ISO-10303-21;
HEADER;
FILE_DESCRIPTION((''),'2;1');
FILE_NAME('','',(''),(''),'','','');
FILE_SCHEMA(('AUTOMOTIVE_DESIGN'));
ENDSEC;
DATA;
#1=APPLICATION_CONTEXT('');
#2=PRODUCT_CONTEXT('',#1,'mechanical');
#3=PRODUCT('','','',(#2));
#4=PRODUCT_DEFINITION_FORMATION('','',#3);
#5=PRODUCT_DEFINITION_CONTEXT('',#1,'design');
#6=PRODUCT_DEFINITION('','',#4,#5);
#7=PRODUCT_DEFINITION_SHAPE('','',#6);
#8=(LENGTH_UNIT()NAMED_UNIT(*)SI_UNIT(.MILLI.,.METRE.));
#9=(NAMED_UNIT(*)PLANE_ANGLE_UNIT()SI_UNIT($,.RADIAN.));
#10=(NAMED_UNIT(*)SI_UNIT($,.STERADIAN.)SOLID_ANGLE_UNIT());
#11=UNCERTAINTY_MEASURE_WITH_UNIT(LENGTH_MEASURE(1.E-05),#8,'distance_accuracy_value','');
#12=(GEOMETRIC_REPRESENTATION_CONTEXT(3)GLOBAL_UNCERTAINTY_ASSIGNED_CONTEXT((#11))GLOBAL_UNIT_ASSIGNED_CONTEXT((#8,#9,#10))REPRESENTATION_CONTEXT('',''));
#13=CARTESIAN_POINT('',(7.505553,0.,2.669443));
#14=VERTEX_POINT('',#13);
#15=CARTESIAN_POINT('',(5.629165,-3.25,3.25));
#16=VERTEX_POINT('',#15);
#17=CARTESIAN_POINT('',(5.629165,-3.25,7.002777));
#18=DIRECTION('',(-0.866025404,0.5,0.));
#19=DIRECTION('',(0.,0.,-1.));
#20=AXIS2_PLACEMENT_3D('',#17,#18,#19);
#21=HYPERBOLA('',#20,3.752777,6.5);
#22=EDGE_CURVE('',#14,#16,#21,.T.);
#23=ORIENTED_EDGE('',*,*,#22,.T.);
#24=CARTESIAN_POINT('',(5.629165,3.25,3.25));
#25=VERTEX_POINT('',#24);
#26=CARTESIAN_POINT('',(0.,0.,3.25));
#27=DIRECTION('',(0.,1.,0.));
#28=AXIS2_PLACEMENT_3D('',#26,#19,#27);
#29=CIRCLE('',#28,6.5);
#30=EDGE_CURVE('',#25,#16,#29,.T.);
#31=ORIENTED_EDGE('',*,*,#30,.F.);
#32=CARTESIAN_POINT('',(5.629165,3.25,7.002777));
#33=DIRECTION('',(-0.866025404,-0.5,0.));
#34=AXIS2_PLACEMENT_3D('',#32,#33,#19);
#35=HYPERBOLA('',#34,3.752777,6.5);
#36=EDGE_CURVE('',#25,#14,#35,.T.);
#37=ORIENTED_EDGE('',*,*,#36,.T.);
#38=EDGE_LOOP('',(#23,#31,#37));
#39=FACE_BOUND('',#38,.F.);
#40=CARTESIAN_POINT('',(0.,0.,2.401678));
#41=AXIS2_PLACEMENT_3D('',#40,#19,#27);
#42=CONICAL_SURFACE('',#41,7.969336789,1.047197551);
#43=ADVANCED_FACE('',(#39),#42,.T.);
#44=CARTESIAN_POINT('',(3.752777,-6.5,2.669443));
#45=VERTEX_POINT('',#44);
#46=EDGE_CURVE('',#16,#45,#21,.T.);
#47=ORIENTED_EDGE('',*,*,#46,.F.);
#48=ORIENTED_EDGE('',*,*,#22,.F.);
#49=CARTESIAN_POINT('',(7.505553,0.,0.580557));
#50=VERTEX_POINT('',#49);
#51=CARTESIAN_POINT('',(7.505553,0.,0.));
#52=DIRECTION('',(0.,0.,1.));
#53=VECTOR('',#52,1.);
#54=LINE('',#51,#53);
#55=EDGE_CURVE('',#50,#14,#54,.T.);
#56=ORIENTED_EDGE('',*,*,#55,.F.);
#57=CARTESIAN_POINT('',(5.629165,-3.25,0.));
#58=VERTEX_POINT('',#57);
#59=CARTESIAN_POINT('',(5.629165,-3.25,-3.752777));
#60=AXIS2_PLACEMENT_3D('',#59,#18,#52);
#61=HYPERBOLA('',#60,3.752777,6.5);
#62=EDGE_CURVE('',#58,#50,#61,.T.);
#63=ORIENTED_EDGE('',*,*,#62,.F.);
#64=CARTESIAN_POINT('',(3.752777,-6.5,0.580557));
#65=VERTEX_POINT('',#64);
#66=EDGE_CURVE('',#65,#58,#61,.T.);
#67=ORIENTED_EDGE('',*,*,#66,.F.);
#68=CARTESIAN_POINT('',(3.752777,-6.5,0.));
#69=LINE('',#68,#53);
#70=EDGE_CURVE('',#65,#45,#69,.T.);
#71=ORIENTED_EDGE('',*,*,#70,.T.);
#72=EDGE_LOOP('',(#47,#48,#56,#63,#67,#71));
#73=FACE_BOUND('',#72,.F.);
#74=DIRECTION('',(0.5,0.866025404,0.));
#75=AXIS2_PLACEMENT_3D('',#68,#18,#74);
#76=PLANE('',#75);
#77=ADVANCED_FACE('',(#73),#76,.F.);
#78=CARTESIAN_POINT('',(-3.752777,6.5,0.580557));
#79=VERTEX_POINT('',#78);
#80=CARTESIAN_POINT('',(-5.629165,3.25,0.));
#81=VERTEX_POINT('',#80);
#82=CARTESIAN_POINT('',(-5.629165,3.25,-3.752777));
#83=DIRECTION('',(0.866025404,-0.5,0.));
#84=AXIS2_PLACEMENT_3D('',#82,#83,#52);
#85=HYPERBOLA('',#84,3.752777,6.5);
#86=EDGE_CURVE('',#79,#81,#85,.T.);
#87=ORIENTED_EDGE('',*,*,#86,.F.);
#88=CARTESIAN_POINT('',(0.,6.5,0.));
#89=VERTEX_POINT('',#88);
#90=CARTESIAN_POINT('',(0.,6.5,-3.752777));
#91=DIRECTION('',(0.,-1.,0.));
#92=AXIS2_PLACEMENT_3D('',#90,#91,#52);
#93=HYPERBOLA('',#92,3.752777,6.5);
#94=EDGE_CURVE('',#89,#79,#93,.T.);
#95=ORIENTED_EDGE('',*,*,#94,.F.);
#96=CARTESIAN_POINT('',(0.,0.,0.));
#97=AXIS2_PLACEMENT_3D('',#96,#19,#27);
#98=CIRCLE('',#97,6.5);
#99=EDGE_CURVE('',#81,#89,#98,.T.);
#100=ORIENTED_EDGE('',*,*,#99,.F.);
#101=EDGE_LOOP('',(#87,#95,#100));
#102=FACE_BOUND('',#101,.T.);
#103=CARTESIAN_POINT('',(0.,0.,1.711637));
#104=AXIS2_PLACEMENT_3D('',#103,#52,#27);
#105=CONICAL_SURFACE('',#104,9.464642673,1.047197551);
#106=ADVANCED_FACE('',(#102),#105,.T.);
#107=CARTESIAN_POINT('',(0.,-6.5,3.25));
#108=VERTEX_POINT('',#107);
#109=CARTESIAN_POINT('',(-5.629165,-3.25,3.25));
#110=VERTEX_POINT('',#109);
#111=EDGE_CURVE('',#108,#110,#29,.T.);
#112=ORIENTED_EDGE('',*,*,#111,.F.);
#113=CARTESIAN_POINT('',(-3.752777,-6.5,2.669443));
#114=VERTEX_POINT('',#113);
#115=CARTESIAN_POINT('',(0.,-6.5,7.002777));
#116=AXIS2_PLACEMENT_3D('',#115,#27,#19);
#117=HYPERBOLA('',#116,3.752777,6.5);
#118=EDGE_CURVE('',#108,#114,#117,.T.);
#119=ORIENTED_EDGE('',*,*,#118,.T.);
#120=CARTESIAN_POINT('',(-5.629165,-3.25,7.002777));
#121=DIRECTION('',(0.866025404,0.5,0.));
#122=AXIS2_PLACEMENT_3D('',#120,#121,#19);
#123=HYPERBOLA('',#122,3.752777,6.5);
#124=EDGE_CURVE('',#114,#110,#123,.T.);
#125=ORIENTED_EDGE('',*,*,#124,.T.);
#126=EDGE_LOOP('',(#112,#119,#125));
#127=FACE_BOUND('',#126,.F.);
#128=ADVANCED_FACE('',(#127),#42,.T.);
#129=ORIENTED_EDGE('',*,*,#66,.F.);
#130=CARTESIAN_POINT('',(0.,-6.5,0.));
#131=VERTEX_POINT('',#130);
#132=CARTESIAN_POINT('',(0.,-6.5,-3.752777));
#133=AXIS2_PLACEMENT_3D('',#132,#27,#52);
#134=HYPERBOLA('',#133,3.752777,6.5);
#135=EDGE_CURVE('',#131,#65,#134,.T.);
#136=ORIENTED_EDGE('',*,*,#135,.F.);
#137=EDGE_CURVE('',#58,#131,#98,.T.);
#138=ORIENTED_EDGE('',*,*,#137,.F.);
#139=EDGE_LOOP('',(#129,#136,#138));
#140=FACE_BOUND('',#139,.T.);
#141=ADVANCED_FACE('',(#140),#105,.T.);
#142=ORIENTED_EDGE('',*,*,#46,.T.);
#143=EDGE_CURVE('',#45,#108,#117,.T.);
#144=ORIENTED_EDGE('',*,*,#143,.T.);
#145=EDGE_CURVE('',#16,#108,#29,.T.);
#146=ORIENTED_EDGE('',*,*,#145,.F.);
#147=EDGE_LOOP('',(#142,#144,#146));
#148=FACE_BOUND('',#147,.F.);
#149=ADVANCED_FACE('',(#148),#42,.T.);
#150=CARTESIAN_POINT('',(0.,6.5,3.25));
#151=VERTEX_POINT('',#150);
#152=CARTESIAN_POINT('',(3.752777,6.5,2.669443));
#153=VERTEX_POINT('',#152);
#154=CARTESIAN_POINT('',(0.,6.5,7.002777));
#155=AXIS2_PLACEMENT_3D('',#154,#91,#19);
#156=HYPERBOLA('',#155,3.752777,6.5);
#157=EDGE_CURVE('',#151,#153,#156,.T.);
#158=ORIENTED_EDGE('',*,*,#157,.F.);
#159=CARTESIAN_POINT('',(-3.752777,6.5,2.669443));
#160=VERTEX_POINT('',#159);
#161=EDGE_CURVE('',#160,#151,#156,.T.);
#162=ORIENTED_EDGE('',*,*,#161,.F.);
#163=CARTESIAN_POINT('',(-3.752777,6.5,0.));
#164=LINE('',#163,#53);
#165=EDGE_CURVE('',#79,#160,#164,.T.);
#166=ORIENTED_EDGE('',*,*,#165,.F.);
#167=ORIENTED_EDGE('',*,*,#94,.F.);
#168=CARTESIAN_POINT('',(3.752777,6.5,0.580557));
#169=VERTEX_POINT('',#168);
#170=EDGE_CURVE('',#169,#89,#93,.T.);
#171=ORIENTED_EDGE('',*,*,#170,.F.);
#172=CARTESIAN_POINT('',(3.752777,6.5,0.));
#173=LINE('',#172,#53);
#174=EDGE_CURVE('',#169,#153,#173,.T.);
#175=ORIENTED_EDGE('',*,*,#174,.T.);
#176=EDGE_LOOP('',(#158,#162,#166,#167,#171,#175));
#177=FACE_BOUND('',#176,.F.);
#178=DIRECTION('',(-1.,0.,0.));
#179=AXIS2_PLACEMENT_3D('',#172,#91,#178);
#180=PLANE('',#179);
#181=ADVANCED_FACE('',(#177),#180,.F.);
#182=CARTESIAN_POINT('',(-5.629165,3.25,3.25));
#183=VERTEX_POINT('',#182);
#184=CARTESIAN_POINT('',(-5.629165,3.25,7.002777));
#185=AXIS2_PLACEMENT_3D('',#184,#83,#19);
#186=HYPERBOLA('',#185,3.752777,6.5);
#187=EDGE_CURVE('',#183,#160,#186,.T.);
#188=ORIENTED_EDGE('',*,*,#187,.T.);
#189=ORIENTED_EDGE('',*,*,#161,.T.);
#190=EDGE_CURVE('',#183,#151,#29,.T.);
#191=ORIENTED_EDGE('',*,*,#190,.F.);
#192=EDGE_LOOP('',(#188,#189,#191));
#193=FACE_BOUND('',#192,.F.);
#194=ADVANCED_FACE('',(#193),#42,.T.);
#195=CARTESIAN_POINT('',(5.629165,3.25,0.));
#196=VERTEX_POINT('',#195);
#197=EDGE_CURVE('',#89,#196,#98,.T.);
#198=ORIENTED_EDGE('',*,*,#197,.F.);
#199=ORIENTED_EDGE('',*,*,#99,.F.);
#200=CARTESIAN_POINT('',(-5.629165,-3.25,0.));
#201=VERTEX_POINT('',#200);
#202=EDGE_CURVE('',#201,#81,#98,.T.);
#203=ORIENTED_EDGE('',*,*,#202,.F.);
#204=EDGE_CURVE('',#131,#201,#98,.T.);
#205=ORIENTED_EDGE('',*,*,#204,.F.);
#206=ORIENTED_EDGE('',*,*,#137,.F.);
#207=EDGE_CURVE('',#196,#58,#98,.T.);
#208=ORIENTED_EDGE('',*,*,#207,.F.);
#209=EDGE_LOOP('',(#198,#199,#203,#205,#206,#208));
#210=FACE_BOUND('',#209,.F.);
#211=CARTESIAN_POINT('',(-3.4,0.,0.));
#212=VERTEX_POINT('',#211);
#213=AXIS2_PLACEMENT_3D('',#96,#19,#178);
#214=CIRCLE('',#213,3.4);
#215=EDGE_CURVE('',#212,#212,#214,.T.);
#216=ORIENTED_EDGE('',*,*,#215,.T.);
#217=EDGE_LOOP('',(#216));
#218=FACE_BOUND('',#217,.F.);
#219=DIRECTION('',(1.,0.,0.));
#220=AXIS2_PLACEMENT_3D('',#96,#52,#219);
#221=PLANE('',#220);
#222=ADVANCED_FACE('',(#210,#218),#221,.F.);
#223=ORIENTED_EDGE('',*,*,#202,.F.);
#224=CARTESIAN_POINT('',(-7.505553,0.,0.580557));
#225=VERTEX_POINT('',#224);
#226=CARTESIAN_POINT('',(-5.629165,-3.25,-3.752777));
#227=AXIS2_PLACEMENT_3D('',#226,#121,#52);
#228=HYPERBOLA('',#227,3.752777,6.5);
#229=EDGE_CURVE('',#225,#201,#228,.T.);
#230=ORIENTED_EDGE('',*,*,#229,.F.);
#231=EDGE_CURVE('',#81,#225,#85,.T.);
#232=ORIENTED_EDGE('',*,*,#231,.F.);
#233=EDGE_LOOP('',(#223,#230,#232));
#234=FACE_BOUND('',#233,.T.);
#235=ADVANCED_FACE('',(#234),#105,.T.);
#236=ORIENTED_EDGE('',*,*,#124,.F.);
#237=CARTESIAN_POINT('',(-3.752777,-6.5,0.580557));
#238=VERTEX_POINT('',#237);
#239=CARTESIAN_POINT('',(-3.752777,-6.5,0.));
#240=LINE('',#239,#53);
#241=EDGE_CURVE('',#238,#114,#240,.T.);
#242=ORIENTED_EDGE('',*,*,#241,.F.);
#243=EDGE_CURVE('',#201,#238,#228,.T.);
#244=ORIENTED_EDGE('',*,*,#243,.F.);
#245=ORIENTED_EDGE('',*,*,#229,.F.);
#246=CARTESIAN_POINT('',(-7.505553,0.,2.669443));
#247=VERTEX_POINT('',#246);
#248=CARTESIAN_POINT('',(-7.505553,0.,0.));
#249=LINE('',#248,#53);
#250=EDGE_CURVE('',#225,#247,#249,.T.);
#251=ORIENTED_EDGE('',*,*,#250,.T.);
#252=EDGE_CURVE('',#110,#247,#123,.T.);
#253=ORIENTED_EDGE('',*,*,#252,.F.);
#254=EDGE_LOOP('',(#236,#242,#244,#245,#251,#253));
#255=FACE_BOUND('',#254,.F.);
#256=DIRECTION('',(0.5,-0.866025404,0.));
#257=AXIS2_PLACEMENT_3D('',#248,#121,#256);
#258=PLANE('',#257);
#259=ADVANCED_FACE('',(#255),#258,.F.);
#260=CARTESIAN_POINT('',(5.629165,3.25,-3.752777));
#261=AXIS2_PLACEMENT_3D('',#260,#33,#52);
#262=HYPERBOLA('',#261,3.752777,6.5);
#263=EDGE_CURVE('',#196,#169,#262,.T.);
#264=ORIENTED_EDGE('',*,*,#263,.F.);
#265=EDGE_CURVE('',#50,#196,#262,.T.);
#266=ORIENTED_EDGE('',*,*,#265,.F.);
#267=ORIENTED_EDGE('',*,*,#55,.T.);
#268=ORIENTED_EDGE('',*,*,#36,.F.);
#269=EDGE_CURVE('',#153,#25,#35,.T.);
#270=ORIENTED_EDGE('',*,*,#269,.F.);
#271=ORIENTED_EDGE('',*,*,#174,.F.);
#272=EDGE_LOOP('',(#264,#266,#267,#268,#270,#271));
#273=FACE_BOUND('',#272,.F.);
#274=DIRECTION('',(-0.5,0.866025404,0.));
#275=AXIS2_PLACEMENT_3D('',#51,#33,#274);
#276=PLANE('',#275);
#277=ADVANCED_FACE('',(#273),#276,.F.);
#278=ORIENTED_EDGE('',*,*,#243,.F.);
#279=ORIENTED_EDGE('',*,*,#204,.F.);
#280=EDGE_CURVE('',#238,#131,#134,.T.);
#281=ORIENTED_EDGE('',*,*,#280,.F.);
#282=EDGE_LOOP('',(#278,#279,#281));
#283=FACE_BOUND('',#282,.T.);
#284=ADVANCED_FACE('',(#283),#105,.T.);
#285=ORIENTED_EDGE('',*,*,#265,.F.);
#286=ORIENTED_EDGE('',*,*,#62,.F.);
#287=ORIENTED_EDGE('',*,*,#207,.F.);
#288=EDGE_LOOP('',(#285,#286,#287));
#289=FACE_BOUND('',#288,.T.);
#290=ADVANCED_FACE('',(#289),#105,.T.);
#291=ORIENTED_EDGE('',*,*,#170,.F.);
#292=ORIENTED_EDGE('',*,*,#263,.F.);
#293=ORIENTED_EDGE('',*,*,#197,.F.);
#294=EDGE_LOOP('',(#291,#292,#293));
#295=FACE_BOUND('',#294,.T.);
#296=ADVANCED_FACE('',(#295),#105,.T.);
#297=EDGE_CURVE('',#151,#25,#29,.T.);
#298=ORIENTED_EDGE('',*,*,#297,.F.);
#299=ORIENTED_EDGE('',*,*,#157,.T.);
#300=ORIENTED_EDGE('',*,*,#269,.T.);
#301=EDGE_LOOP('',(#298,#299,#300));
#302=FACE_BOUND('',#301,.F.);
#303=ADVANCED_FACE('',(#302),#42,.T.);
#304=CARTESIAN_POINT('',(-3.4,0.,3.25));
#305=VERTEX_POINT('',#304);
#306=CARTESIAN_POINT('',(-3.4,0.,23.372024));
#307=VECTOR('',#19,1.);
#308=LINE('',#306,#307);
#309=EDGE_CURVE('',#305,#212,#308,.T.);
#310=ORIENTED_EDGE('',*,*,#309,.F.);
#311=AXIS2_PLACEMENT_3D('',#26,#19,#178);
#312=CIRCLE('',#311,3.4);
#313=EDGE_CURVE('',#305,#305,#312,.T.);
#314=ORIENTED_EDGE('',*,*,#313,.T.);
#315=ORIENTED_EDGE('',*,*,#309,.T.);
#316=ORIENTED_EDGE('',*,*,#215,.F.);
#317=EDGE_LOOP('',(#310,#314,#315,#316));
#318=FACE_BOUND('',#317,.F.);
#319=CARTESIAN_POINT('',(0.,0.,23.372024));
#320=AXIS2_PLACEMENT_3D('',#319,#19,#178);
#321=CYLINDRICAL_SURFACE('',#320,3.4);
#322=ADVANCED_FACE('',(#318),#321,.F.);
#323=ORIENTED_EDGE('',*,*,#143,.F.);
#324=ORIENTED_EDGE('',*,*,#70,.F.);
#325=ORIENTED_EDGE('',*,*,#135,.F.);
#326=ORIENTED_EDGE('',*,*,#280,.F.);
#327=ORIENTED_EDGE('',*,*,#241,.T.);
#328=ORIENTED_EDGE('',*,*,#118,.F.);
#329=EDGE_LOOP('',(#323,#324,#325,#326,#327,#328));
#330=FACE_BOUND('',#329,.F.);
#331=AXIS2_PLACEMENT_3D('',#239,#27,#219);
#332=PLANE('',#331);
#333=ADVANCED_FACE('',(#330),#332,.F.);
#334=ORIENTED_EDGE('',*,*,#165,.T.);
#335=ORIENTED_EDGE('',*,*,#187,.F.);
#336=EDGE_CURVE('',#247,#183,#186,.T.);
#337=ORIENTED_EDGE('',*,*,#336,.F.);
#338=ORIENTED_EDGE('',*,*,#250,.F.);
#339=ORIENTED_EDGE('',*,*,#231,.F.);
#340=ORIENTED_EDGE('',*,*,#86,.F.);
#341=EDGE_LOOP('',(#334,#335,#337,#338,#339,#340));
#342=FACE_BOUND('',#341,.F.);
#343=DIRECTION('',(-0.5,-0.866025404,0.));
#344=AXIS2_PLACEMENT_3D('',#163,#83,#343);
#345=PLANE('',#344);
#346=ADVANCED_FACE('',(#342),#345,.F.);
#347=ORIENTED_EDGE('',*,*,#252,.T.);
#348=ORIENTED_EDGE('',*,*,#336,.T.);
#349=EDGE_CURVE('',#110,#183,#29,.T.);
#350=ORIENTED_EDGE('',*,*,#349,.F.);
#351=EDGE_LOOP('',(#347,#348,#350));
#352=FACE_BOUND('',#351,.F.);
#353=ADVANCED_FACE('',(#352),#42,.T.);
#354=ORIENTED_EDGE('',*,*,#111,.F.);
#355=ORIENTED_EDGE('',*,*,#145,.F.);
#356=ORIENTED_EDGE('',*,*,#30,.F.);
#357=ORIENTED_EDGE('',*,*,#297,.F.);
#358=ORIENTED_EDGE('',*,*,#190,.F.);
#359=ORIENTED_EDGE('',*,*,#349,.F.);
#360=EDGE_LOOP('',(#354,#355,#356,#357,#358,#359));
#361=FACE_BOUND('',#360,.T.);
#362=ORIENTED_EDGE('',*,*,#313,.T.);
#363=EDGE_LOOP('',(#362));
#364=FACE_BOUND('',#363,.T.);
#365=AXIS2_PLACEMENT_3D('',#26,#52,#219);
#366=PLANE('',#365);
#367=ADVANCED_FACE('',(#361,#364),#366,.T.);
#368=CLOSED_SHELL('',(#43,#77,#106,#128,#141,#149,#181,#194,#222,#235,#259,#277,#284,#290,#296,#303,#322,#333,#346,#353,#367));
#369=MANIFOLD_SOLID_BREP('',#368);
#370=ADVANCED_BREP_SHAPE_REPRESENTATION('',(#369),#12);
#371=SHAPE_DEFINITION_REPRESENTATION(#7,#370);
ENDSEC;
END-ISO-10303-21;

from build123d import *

# Parameters (mm, degrees)
BOSS_EXTRUDE1_DEPTH = 3.25
M8_TAPPED_HOLE1_D   = 6.8


with BuildPart() as part:
    # Sketch1 → Boss-Extrude1 (new body)
    with BuildSketch(Plane.XY):
        Polygon((3.75277675, -6.5), (7.505553499, 0), (3.75277675, 6.5), (-3.75277675, 6.5), (-7.505553499, 0), (-3.75277675, -6.5), align=None)
    extrude(amount=BOSS_EXTRUDE1_DEPTH)

    # Sketch3 → Cut-Revolve1 (revolve, cut)
    with BuildSketch(Plane(origin=(0, 0, 0), x_dir=(0, 0, -1), z_dir=(1, 0, 0))):
        Polygon((-1.711637245, 9.464642673), (0, 6.5), (0, 9.464642673), align=None)
        Polygon((-3.25, 6.5), (-3.25, 7.969336789), (-2.401678009, 7.969336789), align=None)
    revolve(axis=Axis((0, 0, 0), (0, 0, -1)), mode=Mode.SUBTRACT)

    # M8 Tapped Hole1 (through all)
    with Locations(Plane.XY.offset(3.25)):
        with Locations((0, 0)):
            Hole(M8_TAPPED_HOLE1_D / 2)


solid = part.part
